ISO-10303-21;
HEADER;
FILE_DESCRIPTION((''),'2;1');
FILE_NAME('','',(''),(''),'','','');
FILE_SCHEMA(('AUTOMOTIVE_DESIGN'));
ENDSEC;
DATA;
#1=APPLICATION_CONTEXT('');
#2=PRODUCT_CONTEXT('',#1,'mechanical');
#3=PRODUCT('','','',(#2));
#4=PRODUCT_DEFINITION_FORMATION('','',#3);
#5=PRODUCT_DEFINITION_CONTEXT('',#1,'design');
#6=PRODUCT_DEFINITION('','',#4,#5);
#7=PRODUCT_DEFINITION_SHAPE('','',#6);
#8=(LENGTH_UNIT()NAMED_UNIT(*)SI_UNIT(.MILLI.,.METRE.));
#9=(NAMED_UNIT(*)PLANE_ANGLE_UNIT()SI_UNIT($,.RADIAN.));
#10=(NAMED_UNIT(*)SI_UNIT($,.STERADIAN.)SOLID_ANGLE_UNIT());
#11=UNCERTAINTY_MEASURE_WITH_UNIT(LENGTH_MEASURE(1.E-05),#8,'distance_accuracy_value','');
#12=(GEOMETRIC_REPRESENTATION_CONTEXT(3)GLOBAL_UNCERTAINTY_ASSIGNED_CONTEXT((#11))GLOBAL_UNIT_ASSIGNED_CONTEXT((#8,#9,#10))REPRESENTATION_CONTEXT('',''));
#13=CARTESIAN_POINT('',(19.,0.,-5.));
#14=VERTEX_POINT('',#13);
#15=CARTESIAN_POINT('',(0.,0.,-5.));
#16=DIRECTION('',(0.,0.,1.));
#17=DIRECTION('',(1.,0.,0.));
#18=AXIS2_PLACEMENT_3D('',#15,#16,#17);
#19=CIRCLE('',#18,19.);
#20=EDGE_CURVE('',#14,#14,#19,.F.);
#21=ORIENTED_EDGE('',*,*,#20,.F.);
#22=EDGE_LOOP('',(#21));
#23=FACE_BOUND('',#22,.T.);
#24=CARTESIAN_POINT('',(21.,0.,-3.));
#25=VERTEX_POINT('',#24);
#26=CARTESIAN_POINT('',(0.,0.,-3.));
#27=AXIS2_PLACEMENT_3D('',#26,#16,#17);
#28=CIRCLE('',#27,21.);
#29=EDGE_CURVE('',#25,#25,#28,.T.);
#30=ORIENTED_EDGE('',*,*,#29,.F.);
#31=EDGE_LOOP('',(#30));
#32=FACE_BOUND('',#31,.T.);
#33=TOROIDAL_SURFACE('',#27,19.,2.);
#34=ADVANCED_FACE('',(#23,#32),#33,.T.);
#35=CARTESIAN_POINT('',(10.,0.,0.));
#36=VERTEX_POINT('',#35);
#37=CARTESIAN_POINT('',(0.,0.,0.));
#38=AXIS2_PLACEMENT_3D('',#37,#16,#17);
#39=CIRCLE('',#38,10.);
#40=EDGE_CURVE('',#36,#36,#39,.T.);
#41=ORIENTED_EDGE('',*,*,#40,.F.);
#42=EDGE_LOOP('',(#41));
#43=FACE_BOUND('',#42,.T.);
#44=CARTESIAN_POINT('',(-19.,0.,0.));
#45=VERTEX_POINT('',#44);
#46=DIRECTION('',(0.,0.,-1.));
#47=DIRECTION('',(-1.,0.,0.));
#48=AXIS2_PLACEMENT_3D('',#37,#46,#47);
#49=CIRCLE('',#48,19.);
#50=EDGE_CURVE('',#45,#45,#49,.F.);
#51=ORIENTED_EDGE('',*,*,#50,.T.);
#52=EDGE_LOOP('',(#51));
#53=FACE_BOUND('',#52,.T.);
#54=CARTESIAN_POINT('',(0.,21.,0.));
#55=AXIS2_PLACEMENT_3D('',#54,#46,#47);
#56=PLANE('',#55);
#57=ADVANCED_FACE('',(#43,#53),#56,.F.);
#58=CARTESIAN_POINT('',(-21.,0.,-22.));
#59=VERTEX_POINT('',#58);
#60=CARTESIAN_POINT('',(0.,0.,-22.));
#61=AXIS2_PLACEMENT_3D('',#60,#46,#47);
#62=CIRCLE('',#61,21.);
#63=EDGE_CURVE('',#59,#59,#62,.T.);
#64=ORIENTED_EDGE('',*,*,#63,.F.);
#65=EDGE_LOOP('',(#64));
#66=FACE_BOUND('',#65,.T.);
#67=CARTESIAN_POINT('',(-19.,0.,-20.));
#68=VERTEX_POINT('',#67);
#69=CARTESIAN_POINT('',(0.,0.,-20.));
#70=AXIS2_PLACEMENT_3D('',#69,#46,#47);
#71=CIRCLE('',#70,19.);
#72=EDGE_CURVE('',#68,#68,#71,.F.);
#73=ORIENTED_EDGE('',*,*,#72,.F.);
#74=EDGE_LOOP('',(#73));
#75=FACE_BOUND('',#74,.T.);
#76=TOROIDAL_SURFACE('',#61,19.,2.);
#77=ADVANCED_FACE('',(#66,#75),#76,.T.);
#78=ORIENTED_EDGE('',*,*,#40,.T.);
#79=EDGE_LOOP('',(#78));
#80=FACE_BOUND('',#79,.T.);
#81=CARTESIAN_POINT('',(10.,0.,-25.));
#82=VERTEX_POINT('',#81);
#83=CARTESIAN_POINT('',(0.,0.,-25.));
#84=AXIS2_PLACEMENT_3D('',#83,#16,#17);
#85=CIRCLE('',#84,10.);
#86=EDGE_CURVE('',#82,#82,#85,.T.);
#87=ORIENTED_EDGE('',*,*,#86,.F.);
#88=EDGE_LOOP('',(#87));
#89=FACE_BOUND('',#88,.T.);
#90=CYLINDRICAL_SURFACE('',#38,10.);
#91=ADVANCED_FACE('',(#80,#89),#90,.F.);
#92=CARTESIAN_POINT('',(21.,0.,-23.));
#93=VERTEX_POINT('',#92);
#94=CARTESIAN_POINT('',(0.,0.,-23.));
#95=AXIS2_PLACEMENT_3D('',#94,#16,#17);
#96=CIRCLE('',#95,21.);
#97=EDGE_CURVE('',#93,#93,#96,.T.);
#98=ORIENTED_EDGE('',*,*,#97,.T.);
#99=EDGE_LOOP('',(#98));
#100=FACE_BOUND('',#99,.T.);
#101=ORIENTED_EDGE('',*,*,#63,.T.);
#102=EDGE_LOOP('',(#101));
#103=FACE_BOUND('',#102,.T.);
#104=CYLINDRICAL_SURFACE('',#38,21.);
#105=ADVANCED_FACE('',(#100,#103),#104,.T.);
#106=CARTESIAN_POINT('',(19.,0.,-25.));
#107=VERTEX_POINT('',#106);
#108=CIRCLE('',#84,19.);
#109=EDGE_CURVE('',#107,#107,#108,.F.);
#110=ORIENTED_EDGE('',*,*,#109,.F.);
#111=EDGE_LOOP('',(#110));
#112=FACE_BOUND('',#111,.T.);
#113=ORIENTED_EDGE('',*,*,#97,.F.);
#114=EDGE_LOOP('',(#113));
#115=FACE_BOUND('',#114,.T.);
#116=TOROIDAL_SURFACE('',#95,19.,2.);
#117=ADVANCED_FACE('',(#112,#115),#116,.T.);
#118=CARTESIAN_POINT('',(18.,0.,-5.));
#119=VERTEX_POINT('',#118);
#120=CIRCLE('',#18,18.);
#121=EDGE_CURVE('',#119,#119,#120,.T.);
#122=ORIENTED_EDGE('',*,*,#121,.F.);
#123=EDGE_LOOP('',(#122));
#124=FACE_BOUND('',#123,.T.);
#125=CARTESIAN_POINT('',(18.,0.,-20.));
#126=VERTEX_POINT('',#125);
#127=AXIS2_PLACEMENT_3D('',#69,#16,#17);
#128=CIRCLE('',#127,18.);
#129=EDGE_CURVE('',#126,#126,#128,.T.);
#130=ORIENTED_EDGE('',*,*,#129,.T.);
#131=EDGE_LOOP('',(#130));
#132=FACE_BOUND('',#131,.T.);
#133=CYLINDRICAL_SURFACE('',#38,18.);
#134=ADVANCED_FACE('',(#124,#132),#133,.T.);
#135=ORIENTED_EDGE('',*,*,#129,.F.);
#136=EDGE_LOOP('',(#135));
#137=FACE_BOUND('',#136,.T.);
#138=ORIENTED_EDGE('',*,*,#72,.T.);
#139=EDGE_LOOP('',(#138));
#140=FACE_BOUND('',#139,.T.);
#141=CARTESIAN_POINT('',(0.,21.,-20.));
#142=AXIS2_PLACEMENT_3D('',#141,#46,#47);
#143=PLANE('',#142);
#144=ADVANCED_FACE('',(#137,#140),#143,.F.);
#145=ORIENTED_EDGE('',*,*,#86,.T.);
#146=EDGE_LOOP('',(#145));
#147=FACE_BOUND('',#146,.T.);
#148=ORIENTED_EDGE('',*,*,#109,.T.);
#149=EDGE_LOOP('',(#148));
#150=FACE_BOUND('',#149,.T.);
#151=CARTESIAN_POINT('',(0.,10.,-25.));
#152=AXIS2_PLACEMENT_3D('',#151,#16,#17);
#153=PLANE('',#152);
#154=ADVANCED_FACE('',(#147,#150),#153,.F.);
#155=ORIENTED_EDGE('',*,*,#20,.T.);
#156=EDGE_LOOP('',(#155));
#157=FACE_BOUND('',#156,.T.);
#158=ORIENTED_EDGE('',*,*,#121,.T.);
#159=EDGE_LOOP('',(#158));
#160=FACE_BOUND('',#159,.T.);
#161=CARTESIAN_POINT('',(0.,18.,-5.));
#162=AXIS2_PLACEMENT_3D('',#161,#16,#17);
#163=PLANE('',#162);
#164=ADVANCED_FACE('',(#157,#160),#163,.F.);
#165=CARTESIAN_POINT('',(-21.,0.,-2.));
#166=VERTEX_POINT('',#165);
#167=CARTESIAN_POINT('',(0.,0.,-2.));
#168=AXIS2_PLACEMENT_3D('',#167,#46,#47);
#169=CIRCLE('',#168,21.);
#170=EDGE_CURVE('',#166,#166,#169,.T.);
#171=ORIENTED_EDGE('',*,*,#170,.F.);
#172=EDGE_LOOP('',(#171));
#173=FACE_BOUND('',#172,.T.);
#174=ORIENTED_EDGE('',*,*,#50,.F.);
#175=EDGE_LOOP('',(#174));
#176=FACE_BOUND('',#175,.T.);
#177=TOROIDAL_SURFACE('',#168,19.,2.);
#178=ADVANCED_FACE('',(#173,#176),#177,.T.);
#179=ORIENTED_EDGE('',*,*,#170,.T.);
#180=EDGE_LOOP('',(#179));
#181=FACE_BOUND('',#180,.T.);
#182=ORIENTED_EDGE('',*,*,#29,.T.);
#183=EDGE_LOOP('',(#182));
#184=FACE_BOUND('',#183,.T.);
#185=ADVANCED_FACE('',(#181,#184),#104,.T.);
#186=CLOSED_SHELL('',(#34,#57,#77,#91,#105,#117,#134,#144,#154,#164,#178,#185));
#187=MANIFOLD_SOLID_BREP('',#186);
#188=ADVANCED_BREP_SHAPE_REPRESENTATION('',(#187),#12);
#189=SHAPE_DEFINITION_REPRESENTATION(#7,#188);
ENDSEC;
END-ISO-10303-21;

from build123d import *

# Parameters (mm, degrees)
FILLET1_R = 2


with BuildPart() as part:
    # Sketch1 → Revolve1 (revolve)
    with BuildSketch(Plane(origin=(0, 0, 0), x_dir=(0, 0, -1), z_dir=(1, 0, 0))):
        Polygon((0, 10), (25, 10), (25, 21), (20, 21), (20, 18), (5, 18), (5, 21), (0, 21), align=None)
    revolve(axis=Axis((0, 0, 0), (0, 0, -1)))

    # Fillet1
    fillet1_edges = [part.edges().sort_by_distance(p)[0] for p in [
        (0, -21, 0),
        (0, -21, -5),
        (0, -21, -20),
        (0, -21, -25),
    ]]
    fillet(fillet1_edges, radius=FILLET1_R)


solid = part.part
